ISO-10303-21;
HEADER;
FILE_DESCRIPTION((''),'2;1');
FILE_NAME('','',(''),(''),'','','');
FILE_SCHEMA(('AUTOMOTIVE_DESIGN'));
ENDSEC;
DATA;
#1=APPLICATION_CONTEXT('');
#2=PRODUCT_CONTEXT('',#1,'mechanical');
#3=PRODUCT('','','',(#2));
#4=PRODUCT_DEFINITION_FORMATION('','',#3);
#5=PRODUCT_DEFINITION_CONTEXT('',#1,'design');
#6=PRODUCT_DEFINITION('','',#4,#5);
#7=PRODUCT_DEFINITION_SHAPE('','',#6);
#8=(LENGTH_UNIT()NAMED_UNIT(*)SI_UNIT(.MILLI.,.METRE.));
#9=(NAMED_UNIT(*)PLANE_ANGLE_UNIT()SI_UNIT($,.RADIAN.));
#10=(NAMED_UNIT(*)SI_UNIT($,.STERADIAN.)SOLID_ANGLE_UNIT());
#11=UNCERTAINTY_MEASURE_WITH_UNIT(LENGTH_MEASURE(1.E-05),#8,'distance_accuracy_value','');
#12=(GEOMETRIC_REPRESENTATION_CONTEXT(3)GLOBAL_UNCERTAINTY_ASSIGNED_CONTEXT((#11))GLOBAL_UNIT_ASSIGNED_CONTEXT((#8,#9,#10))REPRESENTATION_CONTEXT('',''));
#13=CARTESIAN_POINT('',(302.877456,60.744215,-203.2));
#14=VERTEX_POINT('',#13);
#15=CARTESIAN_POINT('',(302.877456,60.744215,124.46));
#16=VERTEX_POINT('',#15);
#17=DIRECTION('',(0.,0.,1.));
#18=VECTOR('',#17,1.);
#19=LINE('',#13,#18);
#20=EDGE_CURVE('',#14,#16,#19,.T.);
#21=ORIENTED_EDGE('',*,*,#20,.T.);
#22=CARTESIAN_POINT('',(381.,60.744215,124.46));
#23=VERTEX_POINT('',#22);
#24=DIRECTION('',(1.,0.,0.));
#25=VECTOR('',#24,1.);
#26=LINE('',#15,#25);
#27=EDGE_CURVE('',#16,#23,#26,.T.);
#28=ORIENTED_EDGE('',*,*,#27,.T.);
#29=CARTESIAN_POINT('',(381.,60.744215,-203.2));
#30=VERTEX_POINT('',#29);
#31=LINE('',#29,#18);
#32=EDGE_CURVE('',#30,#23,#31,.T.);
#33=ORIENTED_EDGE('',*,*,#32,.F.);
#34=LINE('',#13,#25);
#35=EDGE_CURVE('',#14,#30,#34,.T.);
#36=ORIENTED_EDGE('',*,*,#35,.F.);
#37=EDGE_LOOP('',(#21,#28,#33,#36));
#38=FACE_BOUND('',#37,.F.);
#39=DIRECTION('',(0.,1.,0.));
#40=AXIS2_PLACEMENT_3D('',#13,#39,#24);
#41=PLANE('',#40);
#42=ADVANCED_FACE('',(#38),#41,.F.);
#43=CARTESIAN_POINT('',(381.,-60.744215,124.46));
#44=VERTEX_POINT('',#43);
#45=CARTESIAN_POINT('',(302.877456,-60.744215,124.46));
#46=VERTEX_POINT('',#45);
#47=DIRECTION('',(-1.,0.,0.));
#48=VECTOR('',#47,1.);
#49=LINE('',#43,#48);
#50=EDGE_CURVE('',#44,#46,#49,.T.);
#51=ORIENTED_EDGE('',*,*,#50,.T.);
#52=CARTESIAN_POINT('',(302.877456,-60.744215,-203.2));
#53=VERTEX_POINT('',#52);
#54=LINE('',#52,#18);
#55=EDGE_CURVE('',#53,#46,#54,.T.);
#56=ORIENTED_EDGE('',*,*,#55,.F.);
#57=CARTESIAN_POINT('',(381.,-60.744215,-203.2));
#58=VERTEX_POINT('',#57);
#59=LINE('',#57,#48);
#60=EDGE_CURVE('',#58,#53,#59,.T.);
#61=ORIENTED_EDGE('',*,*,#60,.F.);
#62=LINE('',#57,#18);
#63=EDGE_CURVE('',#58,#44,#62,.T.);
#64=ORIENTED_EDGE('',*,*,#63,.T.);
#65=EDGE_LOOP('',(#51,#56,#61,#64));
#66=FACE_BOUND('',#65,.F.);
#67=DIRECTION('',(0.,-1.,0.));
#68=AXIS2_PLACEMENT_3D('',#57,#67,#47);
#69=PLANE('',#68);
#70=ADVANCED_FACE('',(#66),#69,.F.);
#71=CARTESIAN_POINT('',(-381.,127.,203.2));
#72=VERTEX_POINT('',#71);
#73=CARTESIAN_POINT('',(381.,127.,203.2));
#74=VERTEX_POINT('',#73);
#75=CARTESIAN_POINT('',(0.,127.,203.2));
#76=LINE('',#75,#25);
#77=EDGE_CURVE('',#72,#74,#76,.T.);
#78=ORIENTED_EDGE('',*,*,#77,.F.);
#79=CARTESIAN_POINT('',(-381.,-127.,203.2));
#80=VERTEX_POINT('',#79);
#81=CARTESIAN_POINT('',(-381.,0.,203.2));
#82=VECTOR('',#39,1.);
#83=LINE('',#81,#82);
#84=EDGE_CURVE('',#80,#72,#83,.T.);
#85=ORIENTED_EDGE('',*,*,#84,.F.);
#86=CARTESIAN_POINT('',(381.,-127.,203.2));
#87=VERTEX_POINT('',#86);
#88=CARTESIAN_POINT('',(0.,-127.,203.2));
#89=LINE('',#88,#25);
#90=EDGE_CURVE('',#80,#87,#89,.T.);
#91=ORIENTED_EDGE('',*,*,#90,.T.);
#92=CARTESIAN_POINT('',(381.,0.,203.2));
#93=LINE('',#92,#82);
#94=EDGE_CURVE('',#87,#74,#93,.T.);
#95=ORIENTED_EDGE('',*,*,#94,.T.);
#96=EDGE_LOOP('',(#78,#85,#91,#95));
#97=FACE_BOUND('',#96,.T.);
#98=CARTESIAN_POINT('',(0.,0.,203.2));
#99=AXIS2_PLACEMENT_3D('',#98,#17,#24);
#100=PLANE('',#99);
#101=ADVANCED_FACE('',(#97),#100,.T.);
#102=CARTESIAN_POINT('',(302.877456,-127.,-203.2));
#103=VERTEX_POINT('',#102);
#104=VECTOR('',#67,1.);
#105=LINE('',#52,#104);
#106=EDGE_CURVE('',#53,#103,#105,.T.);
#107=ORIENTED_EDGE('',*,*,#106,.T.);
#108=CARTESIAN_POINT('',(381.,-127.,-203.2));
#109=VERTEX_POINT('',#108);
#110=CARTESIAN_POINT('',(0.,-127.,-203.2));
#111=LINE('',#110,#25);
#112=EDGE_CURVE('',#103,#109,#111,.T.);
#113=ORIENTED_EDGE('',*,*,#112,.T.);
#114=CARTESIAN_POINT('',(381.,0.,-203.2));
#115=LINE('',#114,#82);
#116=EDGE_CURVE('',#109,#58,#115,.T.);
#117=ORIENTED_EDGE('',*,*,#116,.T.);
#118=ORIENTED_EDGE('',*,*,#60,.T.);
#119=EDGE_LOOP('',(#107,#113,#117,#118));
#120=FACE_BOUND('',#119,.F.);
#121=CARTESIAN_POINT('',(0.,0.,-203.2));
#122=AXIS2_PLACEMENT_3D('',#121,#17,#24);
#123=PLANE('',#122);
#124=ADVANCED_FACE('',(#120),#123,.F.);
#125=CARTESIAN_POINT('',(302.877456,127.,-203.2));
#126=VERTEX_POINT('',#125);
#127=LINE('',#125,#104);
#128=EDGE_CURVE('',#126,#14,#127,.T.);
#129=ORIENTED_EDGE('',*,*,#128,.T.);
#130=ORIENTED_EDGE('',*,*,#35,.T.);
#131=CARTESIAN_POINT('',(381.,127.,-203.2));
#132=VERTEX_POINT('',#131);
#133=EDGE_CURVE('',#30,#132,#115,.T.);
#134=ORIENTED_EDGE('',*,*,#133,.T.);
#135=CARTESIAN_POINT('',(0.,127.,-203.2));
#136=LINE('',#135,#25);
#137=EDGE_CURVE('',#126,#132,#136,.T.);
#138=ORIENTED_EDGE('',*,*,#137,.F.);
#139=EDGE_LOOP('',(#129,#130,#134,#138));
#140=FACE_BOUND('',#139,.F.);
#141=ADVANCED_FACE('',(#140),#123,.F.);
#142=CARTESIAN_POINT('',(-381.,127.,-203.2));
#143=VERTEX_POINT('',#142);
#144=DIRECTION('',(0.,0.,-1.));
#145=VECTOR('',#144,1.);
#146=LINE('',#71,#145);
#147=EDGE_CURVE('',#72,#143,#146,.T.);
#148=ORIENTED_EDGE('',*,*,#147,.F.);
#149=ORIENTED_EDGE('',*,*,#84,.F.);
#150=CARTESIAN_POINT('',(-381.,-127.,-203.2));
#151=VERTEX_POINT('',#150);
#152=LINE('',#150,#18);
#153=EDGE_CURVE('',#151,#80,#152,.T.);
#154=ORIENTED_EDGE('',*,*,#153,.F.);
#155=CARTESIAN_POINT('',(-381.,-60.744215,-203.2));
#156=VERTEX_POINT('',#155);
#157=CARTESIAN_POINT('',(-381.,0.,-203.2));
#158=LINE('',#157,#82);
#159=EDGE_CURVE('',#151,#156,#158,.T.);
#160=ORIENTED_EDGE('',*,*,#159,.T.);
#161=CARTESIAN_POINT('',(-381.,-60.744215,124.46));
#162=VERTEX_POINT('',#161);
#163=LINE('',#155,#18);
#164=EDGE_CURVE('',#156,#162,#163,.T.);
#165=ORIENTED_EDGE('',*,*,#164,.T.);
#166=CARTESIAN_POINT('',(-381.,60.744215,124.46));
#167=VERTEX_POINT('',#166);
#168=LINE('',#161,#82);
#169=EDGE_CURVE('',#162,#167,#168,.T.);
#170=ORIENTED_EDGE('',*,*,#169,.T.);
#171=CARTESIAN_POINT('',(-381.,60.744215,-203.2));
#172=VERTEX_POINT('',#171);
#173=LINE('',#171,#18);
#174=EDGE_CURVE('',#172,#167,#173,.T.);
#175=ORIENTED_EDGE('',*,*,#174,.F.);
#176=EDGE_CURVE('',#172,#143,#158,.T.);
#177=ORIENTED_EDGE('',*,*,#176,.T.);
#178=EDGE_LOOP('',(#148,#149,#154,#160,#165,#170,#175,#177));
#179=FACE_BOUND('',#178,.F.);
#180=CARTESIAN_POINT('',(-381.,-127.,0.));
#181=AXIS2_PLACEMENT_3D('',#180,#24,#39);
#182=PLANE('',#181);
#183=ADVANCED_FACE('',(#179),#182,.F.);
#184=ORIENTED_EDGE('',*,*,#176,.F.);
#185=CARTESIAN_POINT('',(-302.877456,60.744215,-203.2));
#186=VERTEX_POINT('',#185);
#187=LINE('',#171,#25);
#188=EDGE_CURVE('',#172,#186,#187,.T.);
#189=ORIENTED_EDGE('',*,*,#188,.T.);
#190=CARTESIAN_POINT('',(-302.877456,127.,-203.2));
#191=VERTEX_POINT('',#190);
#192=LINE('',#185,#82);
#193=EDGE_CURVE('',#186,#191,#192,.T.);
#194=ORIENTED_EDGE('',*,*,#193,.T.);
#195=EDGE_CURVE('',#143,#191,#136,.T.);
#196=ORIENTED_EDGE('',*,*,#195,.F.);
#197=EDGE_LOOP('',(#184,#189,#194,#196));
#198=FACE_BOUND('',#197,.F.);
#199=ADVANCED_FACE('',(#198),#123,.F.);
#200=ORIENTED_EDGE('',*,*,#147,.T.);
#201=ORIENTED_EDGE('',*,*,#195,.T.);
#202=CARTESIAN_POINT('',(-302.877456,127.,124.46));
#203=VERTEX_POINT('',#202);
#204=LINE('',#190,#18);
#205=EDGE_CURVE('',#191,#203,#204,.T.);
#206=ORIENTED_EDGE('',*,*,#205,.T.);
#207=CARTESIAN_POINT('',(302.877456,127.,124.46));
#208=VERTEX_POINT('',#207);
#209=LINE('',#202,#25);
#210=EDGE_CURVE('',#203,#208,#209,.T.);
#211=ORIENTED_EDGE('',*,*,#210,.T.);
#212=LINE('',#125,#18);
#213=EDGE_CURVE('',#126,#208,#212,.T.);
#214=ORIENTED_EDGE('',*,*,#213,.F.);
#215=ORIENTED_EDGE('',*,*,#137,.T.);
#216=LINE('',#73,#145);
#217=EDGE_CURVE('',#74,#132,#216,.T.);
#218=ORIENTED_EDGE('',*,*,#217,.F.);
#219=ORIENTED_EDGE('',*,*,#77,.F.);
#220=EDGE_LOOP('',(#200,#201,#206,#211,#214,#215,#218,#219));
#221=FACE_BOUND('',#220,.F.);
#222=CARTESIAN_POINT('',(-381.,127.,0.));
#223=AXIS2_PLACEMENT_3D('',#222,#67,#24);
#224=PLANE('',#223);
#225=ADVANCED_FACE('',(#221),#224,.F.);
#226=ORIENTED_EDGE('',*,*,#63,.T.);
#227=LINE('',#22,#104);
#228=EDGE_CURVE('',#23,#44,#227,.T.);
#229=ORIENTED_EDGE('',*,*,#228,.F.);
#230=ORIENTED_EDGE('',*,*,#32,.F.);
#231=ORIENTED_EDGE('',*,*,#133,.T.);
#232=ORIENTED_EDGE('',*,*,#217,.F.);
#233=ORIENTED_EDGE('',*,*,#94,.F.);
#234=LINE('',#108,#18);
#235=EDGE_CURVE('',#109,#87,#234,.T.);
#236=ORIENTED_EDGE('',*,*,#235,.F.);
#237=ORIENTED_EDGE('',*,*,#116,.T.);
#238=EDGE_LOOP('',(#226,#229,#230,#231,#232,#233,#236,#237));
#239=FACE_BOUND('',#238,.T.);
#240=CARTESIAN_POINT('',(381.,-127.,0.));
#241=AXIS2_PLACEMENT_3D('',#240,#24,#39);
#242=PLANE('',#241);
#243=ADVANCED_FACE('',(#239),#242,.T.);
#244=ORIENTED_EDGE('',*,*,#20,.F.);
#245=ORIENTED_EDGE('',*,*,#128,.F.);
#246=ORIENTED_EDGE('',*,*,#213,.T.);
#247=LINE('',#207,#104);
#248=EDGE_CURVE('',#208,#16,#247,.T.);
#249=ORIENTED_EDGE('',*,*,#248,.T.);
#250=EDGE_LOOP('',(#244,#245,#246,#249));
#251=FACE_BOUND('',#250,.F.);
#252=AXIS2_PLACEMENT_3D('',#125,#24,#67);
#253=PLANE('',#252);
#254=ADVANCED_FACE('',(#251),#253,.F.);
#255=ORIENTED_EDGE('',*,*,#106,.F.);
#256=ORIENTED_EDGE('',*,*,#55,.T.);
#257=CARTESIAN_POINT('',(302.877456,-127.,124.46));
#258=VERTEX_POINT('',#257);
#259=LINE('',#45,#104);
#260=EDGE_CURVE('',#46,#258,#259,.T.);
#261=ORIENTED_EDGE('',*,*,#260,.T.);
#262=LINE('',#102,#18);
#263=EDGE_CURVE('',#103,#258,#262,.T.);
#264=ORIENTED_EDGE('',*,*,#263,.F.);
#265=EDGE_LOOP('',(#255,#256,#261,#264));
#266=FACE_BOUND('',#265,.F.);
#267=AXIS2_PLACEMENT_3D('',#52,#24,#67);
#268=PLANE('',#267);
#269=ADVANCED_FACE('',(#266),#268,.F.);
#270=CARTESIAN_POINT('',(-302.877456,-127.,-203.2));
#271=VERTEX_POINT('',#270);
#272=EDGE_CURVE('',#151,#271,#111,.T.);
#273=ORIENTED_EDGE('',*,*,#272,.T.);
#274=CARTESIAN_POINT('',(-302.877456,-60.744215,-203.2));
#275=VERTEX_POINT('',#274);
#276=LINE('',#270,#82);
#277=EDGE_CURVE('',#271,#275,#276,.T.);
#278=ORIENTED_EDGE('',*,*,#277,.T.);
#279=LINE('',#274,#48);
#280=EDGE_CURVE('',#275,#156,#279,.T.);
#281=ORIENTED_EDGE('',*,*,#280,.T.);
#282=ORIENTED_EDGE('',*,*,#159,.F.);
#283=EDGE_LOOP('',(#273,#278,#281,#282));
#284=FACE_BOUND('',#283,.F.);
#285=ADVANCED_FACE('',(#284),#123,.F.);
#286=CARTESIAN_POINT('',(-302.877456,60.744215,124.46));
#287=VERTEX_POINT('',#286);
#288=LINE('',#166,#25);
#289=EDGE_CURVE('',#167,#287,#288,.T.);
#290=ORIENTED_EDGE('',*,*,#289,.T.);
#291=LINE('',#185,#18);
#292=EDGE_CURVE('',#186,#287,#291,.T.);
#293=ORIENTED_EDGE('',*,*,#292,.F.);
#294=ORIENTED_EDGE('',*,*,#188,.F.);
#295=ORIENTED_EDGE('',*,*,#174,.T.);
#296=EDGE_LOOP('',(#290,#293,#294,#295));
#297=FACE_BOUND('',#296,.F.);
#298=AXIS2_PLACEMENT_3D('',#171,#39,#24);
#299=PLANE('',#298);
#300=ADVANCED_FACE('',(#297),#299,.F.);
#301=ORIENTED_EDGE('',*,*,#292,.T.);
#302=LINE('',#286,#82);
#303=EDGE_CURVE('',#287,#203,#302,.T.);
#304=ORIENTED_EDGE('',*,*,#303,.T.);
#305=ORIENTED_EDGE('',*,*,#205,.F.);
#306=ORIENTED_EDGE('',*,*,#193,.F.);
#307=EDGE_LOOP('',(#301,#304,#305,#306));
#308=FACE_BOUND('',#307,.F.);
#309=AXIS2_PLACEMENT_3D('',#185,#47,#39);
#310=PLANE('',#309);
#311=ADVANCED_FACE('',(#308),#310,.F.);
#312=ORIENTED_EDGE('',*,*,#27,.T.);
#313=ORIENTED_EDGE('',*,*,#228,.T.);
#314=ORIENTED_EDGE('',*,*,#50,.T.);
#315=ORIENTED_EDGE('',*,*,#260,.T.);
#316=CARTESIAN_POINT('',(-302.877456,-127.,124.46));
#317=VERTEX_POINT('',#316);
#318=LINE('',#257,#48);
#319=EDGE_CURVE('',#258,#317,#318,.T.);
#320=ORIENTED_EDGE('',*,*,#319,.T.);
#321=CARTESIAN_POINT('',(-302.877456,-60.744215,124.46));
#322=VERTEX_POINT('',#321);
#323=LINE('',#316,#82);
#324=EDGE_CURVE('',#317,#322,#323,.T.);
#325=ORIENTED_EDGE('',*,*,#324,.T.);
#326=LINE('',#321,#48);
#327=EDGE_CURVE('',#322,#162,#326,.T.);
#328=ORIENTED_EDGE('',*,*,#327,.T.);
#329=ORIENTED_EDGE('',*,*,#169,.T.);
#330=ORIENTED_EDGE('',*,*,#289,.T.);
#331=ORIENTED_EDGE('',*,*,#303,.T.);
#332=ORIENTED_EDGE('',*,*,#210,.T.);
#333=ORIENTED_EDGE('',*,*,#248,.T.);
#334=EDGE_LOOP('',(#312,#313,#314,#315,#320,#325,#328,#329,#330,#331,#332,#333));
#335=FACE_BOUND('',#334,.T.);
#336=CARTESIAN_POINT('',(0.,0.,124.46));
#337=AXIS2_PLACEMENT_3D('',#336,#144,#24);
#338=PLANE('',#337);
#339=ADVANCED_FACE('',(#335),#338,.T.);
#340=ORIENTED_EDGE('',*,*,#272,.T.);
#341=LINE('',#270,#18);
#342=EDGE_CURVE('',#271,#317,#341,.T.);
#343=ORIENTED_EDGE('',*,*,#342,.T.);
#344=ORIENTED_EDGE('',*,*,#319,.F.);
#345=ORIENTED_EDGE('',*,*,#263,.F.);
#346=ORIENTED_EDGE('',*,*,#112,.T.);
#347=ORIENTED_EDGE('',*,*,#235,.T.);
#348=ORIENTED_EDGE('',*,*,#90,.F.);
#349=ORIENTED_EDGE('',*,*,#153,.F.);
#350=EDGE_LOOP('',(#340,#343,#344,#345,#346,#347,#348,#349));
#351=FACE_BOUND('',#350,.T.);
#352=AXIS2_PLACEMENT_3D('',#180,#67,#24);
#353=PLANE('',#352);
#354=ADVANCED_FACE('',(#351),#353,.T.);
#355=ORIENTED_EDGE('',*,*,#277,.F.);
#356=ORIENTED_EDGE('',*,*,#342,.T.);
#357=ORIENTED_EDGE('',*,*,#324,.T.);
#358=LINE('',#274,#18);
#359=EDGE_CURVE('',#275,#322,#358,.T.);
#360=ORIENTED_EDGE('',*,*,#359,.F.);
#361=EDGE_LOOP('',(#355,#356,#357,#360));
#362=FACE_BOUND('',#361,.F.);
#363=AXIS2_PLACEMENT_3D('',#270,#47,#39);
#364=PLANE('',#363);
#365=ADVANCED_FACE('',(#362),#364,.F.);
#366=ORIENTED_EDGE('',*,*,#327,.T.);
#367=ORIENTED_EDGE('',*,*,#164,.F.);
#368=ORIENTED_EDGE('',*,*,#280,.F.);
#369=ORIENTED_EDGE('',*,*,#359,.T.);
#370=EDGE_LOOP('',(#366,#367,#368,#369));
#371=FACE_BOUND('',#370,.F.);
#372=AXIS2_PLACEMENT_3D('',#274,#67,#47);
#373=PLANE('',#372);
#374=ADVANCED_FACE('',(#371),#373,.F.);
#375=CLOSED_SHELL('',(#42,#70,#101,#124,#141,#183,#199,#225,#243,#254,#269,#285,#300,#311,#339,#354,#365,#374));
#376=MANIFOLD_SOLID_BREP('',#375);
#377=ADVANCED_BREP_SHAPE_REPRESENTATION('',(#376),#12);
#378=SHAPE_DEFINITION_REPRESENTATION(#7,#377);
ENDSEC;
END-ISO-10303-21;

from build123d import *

# Parameters (mm, degrees)
F0_W     = 762
F0_H     = 254
F1_DEPTH = 203.2
F3_DEPTH = 327.66


with BuildPart() as f1:
    # F0 (on Top) → F1 (new body, symmetric)
    with BuildSketch(Plane.XY):
        Rectangle(F0_W, F0_H)
    extrude(amount=F1_DEPTH, both=True)

    # F2 (on face) → F3 (cut)
    with BuildSketch(Plane(origin=(0, 0, -203.2), x_dir=(1, 0, 0), z_dir=(0, 0, -1))):
        Polygon((302.8774559498, 127), (-302.8774559498, 127), (-302.8774559498, 60.744214803), (-381, 60.744214803), (-381, -60.744214803), (-302.8774559498, -60.744214803), (-302.8774559498, -127), (302.8774559498, -127), (302.8774559498, -60.744214803), (381, -60.744214803), (381, 60.744214803), (302.8774559498, 60.744214803), align=None)
    extrude(amount=-F3_DEPTH, mode=Mode.SUBTRACT)


solid = f1.part
